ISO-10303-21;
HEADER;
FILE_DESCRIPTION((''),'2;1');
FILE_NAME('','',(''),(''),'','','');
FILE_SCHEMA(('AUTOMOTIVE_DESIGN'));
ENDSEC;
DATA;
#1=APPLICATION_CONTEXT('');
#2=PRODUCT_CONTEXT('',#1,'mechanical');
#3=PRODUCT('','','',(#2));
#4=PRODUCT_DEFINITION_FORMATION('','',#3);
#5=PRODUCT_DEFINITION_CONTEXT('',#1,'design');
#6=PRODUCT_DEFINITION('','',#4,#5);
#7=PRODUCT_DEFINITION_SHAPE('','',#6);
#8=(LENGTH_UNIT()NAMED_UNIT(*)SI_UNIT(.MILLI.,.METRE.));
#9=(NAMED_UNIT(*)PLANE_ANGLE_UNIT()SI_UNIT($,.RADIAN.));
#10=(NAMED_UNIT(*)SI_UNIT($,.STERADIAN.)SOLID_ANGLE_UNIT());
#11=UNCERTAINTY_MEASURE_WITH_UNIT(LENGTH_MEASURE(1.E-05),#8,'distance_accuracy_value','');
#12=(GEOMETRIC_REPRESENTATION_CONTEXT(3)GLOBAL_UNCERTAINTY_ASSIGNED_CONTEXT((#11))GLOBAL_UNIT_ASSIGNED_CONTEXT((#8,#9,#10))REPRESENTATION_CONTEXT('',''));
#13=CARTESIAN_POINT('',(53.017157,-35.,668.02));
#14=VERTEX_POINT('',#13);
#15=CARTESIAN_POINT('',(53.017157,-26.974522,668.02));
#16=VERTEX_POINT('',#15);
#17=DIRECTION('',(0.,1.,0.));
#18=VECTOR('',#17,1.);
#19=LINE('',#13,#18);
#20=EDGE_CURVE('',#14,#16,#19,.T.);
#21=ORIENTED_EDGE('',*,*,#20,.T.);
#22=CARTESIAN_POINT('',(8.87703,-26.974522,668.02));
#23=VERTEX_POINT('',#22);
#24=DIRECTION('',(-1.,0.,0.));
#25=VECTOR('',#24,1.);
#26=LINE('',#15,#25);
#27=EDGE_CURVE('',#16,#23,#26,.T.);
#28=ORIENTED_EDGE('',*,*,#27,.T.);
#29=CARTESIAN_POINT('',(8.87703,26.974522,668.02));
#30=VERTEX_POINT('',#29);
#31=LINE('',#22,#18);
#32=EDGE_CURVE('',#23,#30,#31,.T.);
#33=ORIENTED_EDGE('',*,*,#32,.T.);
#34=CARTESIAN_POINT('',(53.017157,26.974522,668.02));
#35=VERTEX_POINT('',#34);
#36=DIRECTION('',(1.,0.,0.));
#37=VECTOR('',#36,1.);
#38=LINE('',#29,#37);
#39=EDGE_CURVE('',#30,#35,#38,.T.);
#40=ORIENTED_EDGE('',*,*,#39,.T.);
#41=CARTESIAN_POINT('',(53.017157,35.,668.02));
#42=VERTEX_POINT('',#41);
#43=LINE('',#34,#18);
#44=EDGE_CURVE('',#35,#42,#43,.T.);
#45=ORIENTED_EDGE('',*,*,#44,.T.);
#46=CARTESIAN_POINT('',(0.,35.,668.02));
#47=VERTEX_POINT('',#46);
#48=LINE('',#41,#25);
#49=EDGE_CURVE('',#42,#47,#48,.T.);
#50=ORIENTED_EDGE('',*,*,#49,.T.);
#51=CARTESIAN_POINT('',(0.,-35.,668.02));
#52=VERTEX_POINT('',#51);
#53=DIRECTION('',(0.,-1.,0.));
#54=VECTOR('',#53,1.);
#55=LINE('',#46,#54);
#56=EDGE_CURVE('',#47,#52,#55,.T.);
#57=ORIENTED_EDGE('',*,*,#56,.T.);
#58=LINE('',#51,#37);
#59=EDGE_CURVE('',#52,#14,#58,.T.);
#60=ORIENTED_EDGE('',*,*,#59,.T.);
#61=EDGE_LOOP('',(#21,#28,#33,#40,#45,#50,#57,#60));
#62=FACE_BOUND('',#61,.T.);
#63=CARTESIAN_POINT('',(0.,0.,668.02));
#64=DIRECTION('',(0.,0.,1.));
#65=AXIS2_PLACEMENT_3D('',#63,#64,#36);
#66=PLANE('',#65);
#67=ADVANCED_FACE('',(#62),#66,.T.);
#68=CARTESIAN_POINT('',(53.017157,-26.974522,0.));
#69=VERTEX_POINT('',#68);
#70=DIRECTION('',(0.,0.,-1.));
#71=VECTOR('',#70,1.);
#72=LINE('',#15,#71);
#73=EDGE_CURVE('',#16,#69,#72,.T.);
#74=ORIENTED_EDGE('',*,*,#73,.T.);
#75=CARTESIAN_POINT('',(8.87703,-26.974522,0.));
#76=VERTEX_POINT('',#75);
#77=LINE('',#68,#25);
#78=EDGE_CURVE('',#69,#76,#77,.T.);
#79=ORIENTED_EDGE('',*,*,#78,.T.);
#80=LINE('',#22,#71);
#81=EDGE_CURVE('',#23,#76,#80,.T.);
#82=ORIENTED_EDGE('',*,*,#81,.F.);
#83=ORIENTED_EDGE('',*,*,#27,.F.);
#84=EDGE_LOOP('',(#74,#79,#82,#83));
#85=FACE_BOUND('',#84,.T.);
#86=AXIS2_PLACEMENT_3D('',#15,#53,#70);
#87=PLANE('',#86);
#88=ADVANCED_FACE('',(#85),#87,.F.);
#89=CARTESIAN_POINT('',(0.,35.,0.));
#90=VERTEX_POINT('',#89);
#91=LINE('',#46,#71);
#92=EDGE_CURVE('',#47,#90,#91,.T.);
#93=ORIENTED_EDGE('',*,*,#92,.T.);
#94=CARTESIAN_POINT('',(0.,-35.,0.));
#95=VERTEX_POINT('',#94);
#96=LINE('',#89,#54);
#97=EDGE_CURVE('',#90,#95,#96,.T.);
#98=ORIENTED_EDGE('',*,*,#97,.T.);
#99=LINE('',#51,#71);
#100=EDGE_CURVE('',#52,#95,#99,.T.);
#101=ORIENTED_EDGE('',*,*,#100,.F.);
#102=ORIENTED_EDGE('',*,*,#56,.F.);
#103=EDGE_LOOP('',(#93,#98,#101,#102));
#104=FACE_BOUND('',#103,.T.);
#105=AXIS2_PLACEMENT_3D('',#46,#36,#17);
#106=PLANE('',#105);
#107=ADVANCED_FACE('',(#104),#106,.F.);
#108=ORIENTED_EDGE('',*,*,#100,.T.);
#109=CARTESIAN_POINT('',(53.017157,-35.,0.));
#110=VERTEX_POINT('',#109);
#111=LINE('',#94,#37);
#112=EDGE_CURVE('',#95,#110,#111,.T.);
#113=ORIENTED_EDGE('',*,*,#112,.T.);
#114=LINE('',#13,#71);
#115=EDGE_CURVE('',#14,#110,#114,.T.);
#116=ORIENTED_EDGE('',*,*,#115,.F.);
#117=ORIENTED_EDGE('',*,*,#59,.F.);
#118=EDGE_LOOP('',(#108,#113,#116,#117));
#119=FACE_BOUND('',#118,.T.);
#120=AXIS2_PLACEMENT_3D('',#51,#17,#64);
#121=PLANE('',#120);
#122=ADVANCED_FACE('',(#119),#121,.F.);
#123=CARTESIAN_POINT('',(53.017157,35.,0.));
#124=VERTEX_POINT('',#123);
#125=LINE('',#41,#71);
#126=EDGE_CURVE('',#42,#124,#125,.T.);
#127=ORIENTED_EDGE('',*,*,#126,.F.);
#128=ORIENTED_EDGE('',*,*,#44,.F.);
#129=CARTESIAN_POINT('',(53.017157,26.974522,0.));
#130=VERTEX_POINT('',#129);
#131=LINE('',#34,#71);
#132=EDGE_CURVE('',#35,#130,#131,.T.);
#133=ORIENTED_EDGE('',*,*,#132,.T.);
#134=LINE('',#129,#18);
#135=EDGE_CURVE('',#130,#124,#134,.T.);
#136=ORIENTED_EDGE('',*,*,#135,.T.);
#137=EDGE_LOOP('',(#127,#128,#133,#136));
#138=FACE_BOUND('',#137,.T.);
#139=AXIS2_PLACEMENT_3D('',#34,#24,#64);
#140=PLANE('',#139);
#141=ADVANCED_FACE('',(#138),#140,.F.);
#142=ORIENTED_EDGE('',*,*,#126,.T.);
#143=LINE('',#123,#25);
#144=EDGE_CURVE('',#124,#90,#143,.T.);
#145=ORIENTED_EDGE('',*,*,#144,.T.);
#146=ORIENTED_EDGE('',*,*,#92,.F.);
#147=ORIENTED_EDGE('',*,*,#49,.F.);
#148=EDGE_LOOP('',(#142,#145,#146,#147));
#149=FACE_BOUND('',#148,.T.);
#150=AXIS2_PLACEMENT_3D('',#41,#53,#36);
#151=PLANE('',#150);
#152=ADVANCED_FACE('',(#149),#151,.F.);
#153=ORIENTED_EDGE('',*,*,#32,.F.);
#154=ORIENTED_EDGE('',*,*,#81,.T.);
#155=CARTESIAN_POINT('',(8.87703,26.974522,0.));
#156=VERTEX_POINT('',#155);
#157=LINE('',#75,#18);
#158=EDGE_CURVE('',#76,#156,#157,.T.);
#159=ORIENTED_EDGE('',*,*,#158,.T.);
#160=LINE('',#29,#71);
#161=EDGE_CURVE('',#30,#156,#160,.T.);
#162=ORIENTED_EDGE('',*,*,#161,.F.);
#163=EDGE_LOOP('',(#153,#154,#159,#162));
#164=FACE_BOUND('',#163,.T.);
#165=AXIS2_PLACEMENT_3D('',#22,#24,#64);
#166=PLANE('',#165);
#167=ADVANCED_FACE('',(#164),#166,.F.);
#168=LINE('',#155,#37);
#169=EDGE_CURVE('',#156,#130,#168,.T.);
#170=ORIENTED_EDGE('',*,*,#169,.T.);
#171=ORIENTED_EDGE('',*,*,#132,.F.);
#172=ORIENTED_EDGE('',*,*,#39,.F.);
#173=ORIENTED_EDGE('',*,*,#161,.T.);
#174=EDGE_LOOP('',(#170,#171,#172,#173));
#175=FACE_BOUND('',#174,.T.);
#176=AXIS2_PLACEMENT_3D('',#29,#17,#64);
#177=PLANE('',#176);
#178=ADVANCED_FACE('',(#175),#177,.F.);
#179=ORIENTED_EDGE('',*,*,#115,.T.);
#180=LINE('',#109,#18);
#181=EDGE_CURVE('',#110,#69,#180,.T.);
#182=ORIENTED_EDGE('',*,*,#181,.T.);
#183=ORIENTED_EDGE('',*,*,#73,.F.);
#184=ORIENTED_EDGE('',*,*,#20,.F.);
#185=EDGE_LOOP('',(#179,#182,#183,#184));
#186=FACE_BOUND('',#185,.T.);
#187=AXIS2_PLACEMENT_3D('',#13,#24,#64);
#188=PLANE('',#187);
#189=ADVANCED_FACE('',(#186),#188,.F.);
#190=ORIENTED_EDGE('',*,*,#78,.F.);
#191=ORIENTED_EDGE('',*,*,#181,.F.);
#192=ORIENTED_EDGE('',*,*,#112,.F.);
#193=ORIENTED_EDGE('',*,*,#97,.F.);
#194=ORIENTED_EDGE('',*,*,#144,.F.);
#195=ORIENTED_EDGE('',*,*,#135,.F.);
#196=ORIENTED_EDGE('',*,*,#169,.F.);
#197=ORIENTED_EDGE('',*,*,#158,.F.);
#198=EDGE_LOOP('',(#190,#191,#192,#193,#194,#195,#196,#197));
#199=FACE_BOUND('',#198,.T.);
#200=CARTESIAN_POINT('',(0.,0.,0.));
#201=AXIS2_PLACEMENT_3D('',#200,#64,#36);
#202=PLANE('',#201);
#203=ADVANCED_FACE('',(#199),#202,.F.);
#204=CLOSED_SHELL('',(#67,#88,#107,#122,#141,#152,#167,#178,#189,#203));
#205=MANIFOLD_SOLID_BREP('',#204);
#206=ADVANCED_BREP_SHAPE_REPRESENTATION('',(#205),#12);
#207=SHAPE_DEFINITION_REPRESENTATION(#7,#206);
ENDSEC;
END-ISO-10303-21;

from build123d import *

# Parameters (mm, degrees)
BOSS_EXTRUDE1_DEPTH = 668.02


with BuildPart() as part:
    # Sketch1 → Boss-Extrude1 (new body)
    with BuildSketch(Plane.XY):
        Polygon((0, 35), (0, -35), (53.017157285, -35), (53.017157285, -26.974522293), (8.877029896, -26.974522293), (8.877029896, 26.974522293), (53.017157285, 26.974522293), (53.017157285, 35), align=None)
    extrude(amount=BOSS_EXTRUDE1_DEPTH)


solid = part.part
